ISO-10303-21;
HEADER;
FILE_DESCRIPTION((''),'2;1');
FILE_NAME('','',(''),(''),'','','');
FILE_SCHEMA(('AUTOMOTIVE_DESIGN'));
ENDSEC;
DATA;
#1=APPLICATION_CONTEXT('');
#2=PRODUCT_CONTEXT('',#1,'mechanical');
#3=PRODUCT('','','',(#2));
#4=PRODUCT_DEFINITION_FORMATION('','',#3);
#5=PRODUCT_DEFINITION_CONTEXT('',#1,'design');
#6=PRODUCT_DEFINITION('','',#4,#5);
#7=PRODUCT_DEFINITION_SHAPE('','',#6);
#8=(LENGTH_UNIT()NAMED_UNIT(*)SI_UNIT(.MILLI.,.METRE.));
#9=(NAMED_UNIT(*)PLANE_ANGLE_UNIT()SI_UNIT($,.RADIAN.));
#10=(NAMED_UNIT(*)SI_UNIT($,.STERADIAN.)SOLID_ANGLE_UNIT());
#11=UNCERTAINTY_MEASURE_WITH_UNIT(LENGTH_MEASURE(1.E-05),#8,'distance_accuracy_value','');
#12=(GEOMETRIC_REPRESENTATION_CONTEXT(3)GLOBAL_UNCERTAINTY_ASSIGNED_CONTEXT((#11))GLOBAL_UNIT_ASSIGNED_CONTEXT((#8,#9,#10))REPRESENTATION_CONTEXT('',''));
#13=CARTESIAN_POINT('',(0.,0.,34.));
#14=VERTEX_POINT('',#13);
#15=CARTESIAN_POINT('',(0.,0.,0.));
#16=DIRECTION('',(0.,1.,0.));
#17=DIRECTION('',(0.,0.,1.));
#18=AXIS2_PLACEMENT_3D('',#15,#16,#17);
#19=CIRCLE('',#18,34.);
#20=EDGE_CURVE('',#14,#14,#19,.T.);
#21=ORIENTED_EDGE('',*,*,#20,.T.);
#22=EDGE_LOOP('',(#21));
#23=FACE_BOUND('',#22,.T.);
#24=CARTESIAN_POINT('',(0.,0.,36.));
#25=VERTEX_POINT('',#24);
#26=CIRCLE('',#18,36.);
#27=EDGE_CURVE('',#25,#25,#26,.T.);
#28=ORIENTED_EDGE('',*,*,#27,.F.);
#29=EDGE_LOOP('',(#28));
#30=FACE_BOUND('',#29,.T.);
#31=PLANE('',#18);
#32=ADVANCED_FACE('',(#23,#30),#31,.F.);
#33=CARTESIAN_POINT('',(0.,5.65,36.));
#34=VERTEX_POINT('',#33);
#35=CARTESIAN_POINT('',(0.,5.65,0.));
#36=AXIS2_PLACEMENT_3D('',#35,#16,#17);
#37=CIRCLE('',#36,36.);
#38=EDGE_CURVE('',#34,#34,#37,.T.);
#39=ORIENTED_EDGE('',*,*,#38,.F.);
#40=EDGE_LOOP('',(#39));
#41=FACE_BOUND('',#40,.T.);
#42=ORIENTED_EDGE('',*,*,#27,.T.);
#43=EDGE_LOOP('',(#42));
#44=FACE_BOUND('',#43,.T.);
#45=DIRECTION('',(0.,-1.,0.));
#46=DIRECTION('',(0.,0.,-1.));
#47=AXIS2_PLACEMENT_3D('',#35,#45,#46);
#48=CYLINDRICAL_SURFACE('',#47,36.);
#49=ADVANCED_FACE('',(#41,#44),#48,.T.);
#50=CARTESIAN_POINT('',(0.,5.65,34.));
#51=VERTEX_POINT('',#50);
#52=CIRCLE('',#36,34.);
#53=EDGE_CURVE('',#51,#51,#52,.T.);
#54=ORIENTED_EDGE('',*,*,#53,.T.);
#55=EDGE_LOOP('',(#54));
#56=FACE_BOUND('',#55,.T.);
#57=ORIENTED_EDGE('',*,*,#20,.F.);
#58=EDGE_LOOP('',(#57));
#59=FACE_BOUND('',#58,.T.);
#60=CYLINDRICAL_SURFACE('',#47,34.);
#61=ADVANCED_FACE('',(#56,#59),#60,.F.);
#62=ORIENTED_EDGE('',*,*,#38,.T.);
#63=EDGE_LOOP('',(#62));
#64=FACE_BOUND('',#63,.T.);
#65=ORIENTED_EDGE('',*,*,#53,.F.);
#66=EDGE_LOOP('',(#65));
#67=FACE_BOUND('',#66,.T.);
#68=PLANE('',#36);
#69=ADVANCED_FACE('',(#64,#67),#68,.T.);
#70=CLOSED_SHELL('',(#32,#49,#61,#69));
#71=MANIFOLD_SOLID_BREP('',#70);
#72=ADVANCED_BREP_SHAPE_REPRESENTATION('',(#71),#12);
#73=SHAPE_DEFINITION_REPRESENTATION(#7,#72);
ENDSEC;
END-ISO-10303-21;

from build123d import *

# Parameters (mm, degrees)
SKETCH2_R           = 36
SKETCH2_R_2         = 34
BOSS_EXTRUDE1_DEPTH = 5.65


with BuildPart() as part:
    # Sketch2 → Boss-Extrude1 (new body)
    with BuildSketch(Plane(origin=(0, 0, 0), x_dir=(1, 0, 0), z_dir=(0, 1, 0))):
        with Locations(Location((0, 0, 0), (0, 0, 270))):
            Circle(SKETCH2_R)
        with Locations(Location((0, 0, 0), (0, 0, 270))):
            Circle(SKETCH2_R_2, mode=Mode.SUBTRACT)
    extrude(amount=BOSS_EXTRUDE1_DEPTH)


solid = part.part
